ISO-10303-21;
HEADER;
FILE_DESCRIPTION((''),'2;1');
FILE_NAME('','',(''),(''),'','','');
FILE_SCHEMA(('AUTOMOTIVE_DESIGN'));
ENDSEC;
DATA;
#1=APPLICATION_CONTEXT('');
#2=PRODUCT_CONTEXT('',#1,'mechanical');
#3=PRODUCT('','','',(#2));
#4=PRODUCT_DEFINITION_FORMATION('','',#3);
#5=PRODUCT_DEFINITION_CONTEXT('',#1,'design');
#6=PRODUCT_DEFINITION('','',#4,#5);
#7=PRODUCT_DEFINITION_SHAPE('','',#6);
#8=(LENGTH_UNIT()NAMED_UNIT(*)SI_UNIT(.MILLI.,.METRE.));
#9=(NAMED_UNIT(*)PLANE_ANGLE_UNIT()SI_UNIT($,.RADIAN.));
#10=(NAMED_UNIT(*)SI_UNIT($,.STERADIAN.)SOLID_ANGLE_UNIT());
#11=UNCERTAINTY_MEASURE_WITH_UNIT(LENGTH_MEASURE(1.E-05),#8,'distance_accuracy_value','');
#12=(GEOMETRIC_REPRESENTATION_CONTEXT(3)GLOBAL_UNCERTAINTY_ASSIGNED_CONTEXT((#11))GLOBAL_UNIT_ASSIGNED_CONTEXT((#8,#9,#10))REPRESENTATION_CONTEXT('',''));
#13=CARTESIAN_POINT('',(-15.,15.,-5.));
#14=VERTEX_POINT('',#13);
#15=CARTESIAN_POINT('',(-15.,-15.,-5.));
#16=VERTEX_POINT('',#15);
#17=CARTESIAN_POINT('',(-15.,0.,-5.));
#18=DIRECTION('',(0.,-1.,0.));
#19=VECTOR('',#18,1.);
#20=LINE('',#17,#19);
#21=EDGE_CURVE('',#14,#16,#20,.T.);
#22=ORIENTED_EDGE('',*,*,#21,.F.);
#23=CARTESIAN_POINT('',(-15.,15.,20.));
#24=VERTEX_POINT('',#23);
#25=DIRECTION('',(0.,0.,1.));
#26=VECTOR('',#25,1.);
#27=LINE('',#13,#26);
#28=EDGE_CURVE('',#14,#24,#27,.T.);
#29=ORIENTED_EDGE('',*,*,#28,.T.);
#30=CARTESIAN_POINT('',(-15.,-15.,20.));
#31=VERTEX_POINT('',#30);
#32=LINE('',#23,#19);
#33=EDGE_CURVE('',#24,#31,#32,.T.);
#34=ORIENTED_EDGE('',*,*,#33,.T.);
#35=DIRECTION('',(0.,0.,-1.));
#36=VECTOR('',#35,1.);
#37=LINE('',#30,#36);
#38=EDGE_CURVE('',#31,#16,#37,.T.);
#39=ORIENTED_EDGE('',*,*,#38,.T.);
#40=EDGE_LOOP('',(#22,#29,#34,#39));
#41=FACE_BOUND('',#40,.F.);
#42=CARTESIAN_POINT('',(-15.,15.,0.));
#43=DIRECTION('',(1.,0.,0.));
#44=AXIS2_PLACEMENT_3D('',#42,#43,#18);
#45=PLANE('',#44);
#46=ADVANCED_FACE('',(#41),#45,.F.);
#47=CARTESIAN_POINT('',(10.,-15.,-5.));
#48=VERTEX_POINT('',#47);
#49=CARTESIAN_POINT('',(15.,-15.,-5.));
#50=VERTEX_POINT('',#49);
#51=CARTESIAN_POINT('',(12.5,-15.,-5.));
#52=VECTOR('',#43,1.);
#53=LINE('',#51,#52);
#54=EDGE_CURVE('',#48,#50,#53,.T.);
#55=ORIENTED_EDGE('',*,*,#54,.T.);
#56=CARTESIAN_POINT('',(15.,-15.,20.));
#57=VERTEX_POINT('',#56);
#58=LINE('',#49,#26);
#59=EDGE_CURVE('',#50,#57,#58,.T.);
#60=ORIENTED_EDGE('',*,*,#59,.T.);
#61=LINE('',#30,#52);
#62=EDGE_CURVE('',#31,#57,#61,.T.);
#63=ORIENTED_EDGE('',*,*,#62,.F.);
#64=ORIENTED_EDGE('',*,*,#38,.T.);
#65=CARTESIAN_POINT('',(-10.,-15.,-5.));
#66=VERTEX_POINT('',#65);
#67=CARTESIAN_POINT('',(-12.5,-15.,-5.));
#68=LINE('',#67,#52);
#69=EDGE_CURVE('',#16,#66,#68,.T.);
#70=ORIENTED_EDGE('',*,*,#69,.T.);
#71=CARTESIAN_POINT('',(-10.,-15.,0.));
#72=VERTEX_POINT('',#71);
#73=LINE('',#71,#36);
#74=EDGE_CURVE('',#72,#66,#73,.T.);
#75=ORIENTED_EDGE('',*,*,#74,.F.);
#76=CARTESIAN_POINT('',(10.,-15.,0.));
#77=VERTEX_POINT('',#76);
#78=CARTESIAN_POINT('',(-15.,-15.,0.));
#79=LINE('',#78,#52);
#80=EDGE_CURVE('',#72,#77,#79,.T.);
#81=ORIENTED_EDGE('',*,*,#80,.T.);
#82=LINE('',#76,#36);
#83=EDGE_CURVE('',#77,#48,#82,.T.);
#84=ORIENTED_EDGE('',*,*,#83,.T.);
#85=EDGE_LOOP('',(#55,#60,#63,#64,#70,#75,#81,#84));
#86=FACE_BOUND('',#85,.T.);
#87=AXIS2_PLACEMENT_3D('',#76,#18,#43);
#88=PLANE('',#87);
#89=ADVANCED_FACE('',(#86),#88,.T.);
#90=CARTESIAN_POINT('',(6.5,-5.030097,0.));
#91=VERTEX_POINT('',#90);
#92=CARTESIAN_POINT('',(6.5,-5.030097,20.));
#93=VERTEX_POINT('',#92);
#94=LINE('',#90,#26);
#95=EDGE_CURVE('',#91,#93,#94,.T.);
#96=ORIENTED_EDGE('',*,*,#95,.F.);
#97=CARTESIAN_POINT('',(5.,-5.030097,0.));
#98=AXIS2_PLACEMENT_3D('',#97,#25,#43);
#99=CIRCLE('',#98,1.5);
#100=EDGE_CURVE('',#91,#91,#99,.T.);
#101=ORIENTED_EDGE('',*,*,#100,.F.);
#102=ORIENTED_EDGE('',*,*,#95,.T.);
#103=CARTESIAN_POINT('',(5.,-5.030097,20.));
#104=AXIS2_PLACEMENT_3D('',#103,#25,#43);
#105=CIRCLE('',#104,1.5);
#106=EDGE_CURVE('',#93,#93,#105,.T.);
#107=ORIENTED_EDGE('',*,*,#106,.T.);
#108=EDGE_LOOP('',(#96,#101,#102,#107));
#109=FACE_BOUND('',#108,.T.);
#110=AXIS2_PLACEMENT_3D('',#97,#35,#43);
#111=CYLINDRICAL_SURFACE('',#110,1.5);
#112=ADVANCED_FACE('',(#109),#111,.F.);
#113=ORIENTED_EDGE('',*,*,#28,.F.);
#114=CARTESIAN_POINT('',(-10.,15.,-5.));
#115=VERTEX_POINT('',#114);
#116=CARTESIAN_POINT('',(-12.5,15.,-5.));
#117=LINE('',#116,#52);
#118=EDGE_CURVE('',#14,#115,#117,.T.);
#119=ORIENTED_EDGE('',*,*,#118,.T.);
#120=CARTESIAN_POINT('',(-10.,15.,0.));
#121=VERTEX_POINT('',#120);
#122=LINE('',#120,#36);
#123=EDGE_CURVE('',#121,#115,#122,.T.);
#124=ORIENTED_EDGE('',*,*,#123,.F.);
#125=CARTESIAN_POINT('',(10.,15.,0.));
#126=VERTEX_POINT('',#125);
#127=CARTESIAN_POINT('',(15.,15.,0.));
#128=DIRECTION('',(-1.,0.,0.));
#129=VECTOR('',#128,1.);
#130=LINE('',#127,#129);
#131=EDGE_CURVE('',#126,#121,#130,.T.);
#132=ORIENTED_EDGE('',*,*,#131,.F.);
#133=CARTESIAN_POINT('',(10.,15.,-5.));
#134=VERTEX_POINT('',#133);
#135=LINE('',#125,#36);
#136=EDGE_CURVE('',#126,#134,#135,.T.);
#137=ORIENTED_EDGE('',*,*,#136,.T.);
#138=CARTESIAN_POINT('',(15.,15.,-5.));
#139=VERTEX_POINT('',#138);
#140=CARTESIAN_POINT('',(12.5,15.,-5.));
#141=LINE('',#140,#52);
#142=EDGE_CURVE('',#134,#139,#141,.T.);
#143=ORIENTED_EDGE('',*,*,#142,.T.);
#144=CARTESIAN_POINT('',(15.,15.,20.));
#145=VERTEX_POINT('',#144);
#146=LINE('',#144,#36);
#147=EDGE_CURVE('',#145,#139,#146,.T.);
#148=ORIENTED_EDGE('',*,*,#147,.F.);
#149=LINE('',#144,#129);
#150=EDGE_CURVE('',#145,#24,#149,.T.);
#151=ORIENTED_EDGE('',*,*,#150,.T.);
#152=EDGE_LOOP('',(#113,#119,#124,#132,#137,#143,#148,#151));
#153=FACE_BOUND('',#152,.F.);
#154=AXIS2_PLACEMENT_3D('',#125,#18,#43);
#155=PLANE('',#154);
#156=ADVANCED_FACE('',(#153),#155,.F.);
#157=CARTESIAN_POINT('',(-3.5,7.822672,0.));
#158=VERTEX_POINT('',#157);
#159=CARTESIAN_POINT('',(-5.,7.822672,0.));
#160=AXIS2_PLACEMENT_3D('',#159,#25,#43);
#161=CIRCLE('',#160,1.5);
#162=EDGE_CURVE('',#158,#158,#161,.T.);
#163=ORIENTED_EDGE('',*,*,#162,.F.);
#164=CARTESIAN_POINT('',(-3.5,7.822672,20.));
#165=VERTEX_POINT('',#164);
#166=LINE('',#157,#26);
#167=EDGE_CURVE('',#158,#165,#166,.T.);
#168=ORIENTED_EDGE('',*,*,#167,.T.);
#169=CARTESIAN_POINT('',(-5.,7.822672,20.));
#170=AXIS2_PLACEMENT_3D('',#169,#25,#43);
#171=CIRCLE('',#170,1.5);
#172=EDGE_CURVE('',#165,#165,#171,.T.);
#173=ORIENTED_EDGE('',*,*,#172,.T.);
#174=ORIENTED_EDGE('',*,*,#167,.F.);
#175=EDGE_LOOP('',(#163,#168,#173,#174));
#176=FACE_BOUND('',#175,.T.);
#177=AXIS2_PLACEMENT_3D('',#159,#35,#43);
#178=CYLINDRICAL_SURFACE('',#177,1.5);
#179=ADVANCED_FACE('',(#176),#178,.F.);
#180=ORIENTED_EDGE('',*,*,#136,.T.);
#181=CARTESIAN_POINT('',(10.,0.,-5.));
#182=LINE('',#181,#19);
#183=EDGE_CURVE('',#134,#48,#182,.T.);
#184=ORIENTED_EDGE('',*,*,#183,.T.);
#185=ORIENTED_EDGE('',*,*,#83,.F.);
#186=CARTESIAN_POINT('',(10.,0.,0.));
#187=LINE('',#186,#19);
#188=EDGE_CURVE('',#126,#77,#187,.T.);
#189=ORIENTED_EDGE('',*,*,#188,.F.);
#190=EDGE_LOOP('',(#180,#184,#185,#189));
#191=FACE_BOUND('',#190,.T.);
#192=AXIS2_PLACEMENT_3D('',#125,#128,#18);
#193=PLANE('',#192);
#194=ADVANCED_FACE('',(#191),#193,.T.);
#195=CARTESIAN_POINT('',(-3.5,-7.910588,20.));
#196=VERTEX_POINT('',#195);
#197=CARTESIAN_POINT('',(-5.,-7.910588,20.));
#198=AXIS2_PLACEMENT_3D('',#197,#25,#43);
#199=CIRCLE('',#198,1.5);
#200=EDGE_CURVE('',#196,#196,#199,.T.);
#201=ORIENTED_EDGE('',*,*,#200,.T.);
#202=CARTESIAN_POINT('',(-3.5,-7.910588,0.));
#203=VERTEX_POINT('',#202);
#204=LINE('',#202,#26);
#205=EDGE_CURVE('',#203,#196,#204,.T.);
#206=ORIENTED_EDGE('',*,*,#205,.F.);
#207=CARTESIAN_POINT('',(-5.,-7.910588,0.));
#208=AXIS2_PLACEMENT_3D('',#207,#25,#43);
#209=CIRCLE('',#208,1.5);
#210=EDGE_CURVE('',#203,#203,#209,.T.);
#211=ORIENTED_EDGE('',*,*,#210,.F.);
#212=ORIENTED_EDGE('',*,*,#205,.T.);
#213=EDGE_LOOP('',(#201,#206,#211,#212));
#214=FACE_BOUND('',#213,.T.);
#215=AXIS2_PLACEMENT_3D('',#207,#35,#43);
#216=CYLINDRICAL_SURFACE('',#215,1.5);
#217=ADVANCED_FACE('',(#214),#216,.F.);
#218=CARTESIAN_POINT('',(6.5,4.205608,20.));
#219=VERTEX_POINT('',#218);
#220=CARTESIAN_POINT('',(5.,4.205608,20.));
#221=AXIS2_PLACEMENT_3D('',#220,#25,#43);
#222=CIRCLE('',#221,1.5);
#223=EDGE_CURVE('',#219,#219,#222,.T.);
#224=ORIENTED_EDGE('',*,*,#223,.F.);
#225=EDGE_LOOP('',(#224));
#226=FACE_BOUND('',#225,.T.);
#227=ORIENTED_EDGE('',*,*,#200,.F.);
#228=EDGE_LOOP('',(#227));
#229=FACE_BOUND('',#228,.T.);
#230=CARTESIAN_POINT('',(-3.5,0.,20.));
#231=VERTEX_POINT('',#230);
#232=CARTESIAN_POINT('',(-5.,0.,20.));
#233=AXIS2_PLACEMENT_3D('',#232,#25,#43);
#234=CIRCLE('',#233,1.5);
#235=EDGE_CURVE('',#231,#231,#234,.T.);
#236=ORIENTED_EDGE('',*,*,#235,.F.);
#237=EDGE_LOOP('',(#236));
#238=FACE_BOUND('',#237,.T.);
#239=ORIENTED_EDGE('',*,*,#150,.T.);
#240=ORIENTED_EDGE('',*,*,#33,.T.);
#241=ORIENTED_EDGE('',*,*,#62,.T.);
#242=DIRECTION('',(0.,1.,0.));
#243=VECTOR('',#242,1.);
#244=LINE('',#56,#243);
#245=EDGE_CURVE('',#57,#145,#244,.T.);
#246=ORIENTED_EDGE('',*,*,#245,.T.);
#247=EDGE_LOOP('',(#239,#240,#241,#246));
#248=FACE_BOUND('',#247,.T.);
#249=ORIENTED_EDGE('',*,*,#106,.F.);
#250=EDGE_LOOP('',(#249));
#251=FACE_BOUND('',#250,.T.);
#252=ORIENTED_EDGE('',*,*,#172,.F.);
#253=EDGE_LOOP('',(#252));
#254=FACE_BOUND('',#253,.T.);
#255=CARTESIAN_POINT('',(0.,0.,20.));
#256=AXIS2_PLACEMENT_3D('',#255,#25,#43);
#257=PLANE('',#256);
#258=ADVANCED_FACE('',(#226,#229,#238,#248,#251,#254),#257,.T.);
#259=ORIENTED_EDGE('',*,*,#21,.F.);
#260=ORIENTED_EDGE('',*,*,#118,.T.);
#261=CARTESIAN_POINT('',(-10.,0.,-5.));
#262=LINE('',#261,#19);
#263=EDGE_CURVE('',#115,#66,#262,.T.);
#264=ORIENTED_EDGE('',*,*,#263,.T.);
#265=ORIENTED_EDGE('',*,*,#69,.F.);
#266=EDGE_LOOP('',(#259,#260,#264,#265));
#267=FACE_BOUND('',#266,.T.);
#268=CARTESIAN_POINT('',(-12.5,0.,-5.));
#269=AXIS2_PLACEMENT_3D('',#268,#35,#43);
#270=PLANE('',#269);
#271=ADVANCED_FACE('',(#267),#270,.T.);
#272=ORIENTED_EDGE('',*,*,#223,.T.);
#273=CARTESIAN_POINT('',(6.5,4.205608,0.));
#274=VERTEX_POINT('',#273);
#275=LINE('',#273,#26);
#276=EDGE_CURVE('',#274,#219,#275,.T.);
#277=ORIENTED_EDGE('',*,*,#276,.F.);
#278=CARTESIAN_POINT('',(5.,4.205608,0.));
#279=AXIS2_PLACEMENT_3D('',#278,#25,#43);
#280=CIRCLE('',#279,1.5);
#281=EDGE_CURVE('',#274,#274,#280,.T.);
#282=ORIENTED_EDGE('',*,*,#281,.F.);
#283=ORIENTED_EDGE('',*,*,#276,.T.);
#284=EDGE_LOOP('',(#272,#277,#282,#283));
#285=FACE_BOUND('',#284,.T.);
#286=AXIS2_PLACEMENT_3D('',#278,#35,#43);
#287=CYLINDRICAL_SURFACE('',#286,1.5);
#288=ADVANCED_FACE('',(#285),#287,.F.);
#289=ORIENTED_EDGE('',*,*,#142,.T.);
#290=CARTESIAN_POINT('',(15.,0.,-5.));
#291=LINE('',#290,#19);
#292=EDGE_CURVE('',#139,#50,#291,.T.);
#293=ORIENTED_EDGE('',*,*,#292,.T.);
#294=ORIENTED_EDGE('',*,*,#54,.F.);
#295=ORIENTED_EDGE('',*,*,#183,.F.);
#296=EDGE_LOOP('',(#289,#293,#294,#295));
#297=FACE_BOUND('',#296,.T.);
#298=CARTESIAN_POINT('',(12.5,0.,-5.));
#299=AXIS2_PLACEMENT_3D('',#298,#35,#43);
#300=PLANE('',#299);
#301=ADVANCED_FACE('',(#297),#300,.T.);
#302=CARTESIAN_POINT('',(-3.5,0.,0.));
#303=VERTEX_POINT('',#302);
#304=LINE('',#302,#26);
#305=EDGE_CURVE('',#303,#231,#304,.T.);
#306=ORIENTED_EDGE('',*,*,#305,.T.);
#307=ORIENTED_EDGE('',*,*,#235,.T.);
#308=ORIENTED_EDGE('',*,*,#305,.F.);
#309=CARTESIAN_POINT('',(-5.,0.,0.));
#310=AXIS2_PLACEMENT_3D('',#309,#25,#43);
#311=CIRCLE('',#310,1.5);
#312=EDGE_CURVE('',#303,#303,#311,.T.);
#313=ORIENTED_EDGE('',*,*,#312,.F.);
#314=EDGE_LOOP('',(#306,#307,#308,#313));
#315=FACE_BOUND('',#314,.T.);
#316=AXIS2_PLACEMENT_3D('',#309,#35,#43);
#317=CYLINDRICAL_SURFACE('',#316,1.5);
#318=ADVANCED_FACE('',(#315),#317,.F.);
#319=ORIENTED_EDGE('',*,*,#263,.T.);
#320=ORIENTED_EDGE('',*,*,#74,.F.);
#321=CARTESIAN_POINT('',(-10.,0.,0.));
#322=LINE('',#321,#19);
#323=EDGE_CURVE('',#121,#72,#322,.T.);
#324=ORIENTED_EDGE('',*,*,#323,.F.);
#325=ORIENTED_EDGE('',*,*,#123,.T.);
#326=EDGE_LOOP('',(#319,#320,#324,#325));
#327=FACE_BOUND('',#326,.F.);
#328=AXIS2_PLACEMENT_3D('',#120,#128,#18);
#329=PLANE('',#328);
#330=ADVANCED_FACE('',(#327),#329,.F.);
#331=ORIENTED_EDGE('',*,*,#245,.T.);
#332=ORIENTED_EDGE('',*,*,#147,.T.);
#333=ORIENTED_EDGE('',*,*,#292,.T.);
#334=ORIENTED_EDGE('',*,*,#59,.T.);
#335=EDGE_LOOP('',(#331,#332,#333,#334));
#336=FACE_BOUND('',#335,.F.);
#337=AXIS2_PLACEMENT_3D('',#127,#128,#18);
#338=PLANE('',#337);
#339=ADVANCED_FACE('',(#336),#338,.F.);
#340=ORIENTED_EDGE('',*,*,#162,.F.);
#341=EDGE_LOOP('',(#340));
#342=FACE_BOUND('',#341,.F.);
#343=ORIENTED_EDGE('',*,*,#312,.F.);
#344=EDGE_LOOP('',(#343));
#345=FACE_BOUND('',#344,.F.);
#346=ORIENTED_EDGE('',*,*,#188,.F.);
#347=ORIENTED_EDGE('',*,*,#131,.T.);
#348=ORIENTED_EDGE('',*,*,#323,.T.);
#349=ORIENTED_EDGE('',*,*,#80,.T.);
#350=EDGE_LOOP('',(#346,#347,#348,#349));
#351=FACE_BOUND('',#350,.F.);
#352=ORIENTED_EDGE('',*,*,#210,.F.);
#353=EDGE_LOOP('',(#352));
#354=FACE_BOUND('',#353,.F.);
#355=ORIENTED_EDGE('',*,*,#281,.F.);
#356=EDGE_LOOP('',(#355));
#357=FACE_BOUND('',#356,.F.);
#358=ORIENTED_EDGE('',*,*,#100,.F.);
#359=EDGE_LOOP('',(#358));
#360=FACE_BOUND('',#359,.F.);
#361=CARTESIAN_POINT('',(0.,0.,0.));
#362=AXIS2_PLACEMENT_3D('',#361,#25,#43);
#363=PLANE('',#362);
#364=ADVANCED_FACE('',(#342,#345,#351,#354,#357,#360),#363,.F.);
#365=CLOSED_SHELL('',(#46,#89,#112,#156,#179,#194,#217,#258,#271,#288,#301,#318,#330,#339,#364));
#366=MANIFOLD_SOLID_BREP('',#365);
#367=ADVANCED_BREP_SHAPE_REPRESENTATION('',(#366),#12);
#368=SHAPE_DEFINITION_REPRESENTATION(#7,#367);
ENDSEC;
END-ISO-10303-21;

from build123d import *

# Parameters (mm, degrees)
F0_R     = 3.5
F0_R_2   = 1.5
F1_DEPTH = 20
F2_W     = 5
F2_H     = 30
F3_DEPTH = 5


with BuildPart() as f1:
    # F0 (on Top) → F1 (new body)
    with BuildSketch(Plane.XY):
        Polygon((-10, 15), (-15, 15), (-15, -15), (-10, -15), (10, -15), (15, -15), (15, 15), (10, 15), align=None)
        with Locations((-5, -7.9105878249)):
            Circle(F0_R, mode=Mode.SUBTRACT)
        with Locations((5, -5.0300965086)):
            Circle(F0_R, mode=Mode.SUBTRACT)
        with Locations((-5, 0)):
            Circle(F0_R, mode=Mode.SUBTRACT)
        with Locations((-5, 7.8226719052)):
            Circle(F0_R, mode=Mode.SUBTRACT)
        with Locations((5, 4.2056075387)):
            Circle(F0_R, mode=Mode.SUBTRACT)
        with Locations((5, 4.2056075387)):
            Circle(F0_R)
        with Locations((5, 4.2056075387)):
            Circle(F0_R_2, mode=Mode.SUBTRACT)
        with Locations((-5, 7.8226719052)):
            Circle(F0_R)
        with Locations((-5, 7.8226719052)):
            Circle(F0_R_2, mode=Mode.SUBTRACT)
        with Locations((-5, 0)):
            Circle(F0_R)
        with Locations((-5, 0)):
            Circle(F0_R_2, mode=Mode.SUBTRACT)
        with Locations((-5, -7.9105878249)):
            Circle(F0_R)
        with Locations((-5, -7.9105878249)):
            Circle(F0_R_2, mode=Mode.SUBTRACT)
        with Locations((5, -5.0300965086)):
            Circle(F0_R)
        with Locations((5, -5.0300965086)):
            Circle(F0_R_2, mode=Mode.SUBTRACT)
    extrude(amount=F1_DEPTH)

    # F2 (on face) → F3 (join)
    with BuildSketch(Plane(origin=(0, 0, 0), x_dir=(1, 0, 0), z_dir=(0, 0, -1))):
        with Locations((12.5, 0)):
            Rectangle(F2_W, F2_H)
        with Locations((-12.5, 0)):
            Rectangle(F2_W, F2_H)
    extrude(amount=F3_DEPTH)


solid = f1.part
